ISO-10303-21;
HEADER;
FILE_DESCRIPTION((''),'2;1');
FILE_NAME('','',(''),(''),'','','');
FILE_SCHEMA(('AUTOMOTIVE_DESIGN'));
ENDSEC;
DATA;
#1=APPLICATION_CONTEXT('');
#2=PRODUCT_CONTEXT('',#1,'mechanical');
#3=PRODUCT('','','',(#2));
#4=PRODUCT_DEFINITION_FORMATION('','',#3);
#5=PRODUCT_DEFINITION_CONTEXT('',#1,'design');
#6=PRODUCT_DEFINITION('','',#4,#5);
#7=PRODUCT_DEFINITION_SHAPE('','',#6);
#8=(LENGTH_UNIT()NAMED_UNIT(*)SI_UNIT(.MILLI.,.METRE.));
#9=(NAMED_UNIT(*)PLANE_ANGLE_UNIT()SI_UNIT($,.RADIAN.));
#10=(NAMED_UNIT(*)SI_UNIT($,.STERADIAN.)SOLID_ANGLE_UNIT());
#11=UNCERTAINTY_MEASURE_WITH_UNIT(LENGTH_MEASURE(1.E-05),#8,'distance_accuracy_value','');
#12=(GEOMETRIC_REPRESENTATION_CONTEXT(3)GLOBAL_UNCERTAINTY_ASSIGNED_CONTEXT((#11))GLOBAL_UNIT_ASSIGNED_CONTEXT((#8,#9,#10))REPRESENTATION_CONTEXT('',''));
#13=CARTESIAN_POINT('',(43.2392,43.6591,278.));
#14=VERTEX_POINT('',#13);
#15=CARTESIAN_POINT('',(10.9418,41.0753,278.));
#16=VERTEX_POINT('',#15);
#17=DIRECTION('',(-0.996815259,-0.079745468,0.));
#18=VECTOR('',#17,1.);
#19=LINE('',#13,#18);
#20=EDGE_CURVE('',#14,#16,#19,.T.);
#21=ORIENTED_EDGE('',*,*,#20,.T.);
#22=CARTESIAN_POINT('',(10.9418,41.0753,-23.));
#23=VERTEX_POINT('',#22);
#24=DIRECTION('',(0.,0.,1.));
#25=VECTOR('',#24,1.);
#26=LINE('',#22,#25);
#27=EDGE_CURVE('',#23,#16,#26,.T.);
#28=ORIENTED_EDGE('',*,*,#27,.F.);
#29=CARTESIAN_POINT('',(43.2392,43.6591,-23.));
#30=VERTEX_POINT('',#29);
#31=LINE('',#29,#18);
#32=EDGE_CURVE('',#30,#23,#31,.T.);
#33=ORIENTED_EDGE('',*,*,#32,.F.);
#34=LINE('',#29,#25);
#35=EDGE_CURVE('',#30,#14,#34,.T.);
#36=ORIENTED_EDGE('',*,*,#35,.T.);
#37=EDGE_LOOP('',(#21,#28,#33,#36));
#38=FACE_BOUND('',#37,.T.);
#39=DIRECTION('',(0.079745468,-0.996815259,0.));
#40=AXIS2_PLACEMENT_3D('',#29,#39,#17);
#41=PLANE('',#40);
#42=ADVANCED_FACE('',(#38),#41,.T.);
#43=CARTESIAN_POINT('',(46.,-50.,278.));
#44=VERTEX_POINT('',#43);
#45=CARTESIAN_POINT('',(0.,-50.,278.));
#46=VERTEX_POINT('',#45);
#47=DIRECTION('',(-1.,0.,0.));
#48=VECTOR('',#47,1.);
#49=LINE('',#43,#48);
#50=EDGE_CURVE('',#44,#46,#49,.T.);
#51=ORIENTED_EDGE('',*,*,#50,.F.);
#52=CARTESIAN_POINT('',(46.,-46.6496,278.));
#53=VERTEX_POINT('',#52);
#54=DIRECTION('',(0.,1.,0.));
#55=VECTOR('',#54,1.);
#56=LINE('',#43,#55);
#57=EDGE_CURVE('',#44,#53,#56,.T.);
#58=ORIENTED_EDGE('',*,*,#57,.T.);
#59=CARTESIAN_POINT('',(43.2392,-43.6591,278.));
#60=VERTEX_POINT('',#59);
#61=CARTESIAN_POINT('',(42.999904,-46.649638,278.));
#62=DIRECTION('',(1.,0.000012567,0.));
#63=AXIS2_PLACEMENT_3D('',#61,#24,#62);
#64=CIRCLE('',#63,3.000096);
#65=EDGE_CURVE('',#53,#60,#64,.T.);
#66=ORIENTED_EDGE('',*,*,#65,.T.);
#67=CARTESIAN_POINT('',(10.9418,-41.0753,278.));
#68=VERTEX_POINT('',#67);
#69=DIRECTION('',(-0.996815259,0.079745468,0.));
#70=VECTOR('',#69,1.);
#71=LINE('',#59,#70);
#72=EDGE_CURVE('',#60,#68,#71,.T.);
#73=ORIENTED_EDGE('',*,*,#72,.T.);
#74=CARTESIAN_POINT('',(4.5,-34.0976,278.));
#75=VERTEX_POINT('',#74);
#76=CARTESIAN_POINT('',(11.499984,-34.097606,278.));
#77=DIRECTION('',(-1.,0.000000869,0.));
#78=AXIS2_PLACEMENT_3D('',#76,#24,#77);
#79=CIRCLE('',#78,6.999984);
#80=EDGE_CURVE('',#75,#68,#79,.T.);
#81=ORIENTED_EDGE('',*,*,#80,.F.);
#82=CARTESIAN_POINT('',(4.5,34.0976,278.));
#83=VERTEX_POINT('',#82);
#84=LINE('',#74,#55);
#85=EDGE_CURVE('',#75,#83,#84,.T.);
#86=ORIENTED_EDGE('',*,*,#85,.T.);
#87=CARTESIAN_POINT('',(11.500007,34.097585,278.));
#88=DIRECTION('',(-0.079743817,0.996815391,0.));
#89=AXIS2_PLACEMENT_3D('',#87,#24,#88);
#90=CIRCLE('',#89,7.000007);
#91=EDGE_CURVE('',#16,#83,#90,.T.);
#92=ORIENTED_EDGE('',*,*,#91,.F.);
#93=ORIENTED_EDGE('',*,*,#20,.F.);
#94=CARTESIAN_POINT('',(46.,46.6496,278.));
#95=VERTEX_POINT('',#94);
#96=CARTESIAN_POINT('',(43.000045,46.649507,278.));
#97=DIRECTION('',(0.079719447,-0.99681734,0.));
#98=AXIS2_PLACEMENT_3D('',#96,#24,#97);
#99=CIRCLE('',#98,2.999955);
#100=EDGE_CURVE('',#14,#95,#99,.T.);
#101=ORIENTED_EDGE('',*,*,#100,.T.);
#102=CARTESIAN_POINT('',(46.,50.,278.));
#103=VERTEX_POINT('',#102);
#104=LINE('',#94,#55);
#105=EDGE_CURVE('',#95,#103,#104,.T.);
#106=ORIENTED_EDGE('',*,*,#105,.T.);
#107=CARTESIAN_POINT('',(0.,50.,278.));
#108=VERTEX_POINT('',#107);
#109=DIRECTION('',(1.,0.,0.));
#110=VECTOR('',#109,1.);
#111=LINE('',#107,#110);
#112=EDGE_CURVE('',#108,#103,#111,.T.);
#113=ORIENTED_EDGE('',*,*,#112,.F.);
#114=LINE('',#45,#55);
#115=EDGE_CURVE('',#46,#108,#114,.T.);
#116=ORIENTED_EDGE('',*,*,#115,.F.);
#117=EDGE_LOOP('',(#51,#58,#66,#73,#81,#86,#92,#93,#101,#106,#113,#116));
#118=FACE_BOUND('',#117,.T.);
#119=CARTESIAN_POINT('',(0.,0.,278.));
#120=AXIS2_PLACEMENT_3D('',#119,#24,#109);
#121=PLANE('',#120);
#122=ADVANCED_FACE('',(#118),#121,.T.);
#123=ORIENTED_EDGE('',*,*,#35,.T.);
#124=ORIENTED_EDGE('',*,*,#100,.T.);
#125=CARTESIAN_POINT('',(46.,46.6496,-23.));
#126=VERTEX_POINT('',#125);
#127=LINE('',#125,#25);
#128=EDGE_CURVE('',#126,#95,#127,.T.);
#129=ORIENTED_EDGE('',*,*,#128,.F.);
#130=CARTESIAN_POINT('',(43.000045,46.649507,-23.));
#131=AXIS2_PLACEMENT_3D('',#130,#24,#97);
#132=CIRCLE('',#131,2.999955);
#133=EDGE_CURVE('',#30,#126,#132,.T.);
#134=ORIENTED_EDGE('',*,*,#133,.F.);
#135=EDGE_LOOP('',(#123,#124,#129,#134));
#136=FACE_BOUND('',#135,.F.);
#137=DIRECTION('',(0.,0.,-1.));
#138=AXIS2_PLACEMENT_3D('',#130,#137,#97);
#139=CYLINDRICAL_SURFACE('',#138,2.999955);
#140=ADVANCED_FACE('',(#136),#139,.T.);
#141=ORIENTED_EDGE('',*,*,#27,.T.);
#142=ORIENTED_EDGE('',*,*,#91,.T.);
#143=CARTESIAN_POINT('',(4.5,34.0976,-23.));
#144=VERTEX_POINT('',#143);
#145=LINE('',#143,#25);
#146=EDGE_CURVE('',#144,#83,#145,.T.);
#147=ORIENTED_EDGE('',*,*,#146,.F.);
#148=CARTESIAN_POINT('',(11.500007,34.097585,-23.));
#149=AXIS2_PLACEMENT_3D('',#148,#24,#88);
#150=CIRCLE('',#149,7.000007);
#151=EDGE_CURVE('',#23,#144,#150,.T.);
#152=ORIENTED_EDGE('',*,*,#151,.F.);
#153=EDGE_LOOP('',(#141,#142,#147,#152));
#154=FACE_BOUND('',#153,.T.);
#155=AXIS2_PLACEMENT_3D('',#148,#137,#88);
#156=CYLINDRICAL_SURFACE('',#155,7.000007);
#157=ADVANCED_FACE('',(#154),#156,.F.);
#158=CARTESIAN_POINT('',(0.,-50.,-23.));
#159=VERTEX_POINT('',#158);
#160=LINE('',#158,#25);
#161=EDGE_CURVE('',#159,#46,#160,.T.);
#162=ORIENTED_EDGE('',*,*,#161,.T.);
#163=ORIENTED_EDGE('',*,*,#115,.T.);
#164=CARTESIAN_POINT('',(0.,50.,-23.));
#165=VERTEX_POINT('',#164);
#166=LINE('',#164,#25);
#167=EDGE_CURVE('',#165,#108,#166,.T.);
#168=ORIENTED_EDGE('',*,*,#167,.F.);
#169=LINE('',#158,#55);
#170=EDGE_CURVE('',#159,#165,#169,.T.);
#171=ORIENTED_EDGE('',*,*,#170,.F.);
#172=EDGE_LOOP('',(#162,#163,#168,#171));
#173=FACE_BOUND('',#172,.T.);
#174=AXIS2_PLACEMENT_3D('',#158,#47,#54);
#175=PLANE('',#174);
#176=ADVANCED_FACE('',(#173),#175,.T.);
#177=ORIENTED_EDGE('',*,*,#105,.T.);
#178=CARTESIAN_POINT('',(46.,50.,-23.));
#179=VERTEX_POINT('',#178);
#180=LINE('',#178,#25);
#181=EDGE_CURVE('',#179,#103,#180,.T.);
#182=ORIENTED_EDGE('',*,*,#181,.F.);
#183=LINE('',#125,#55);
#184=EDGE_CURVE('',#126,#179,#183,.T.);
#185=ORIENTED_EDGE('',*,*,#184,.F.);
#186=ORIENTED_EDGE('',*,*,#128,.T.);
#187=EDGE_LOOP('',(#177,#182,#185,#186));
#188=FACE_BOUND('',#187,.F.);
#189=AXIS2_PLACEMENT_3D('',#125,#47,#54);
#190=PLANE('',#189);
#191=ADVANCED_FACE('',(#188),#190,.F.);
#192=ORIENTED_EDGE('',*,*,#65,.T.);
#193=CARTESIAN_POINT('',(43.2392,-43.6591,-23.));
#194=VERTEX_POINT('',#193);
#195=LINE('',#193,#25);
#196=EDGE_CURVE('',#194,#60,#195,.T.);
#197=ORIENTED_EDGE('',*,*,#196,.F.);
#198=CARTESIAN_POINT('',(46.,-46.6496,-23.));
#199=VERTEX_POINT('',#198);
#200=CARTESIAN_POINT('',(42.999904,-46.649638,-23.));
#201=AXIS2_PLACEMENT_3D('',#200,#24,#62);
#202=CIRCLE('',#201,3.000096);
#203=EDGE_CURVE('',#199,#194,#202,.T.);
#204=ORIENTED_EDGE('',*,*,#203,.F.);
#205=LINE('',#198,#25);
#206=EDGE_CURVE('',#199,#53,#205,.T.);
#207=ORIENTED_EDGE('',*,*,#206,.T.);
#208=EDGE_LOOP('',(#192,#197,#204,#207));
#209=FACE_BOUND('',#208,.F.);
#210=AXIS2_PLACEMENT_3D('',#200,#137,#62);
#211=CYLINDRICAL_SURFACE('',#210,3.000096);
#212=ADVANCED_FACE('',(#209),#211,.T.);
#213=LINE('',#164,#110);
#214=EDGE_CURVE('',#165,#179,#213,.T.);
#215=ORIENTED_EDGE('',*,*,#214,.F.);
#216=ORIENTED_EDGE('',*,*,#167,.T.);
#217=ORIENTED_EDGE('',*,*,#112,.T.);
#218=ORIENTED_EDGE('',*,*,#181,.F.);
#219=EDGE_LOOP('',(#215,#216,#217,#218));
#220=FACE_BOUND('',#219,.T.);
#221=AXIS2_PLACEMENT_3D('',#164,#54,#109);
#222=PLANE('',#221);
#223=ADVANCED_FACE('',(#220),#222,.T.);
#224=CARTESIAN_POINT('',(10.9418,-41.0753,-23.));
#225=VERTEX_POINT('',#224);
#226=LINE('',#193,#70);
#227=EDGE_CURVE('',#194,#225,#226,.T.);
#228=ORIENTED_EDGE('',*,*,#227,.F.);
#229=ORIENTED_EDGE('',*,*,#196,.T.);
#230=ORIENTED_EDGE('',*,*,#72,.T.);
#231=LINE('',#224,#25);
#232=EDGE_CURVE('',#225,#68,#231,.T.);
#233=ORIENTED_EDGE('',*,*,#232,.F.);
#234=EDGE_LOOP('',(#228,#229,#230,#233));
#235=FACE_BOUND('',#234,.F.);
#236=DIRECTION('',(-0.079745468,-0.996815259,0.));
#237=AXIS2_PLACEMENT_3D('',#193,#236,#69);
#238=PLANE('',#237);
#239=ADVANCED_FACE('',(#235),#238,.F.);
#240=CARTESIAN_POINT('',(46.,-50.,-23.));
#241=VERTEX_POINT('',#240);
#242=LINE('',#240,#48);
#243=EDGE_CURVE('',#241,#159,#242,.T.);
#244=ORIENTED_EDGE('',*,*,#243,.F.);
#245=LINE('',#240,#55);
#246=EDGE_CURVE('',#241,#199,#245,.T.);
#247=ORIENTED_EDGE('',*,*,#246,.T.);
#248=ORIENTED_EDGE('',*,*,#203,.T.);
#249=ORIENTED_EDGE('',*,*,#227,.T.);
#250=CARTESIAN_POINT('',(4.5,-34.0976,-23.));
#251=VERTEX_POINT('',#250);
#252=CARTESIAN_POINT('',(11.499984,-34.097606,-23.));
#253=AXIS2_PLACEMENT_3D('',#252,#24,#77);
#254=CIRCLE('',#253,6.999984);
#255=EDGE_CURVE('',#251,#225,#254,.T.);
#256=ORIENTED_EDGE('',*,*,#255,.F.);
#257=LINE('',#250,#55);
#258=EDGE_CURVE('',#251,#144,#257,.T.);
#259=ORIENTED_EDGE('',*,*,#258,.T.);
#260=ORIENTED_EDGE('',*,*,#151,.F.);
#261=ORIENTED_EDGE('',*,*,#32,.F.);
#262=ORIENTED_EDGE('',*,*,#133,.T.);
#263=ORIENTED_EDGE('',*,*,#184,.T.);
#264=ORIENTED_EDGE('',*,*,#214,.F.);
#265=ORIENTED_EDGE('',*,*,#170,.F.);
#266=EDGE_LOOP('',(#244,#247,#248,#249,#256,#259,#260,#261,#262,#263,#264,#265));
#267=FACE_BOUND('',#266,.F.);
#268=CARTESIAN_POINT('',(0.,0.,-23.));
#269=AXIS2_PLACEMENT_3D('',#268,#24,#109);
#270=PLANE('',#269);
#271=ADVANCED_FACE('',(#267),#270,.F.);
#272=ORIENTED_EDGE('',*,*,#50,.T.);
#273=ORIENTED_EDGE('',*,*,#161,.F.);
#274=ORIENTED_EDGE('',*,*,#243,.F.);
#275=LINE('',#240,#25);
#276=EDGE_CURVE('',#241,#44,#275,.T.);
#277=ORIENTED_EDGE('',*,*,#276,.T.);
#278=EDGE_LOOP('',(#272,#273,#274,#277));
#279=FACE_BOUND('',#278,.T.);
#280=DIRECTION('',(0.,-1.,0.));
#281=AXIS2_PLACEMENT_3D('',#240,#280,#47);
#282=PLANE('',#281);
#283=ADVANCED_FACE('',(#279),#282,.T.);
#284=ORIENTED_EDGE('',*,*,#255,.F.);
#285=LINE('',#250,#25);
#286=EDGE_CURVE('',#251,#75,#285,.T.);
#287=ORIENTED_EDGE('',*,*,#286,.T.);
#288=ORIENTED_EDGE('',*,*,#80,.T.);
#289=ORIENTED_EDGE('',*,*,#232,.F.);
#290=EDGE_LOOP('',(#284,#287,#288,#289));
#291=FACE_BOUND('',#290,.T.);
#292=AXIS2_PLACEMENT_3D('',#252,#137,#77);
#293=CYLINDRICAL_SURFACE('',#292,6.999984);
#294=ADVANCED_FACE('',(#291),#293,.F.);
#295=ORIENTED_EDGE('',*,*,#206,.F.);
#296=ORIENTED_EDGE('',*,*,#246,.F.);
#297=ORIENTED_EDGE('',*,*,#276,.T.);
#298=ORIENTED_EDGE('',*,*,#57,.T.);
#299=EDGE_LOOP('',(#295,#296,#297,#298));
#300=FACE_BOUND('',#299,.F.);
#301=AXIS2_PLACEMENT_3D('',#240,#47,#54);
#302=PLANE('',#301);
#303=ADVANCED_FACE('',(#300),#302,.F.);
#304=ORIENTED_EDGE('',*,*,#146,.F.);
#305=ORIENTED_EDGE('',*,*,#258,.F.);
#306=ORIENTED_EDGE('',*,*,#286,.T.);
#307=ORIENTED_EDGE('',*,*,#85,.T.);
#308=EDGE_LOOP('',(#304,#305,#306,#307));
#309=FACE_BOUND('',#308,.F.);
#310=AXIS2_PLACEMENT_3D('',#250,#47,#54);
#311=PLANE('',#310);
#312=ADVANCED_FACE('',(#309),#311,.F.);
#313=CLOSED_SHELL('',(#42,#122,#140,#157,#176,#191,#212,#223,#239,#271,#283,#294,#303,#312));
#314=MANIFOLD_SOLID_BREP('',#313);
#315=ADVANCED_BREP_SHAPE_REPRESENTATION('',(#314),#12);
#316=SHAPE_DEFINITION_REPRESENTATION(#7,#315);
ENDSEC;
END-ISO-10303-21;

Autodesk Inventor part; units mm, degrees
ref_plane "Начальная плоскость" through (0, 0, -23) normal (0, 0, 1) x (1, 0, 0)
ref_plane "Конечная плоскость" through (0, 0, 278) normal (0, 0, 1) x (1, 0, 0)
sketch "Эскиз" plane through (0, 0, 0) normal (0, 0, 1) x (1, 0, 0)
  line L0 (46, -50) -> (0, -50)
  line L1 (46, -50) -> (46, -46.6496)
  line L2 (43.2392, -43.6591) -> (10.9418, -41.0753)
  line L3 (4.5, -34.0976) -> (4.5, 34.0976)
  line L4 (43.2392, 43.6591) -> (10.9418, 41.0753)
  line L5 (46, 46.6496) -> (46, 50)
  line L6 (0, 50) -> (46, 50)
  line L7 (0, -50) -> (0, 50)
  arc A0 (4.5, -34.0976) -> (10.9418, -41.0753) centre (11.5, -34.0976) ccw
  arc A1 (10.9418, 41.0753) -> (4.5, 34.0976) centre (11.5, 34.0976) ccw
  arc A2 (46, -46.6496) -> (43.2392, -43.6591) centre (43, -46.6496) ccw
  arc A3 (43.2392, 43.6591) -> (46, 46.6496) centre (43, 46.6496) ccw
  line L8 (0, 70) -> (0, -70) construction
  line L9 (-9.3169, 0) -> (55.9016, 0) construction
  point P0 (46, -43.88)
  point P1 (4.5, -40.56)
  point P2 (4.5, 40.56)
  point P3 (46, 43.88)
  dimension "d3" = 46
  dimension "d5" = 4.5
  dimension "d7" = 100
  dimension "d9" = 9.44
  dimension "d11" = 9.44
  dimension "d13" = 6.12
  dimension "d15" = 6.12
  dimension "d22" = 7
  dimension "d23" = 3
  dimension "d24" = 50
  dimension "d25" = 0
extrude "Тело" add sketch "Эскиз" along normal up to surface (301 mm away) from surface at -23
sketch "Sketch3" plane through (0, 0, 0) normal (0, 0, 1) x (1, 0, 0)
  line L0 (0, 0) -> (10, 0)
ref_plane "Work Plane7" through (0, 0, 0) normal (0, -1, 0) x (1, 0, 0)
sketch "Sketch4" plane through (0, 0, 0) normal (0, -1, 0) x (1, 0, 0)
  line L0 (-2, -23) -> (12, -23)
  line L1 (-2, 278) -> (12, 278)
  dimension "d29" = 301
ref_plane "РабПлоскость8" through (23, -46.6496, 278) normal (0, 0, 1) x (1, 0, 0)
split "Разделение1" plane through (23, -46.6496, 278) removes the side toward (0, 0, 1)
ref_plane "РабПлоскость9" through (-427, -46.6496, -23) normal (0, 0, -1) x (-1, 0, 0)
split "Разделение2" plane through (-427, -46.6496, -23) removes the side toward (0, 0, -1)
equation "\"d3\" = b"
equation "\"d5\" = t1"
equation "\"d7\" = ParH"
equation "\"d9\" = msp_x1 + t2"
equation "\"d11\" = msp_x1 + t2"
equation "\"d13\" = -msp_x2 + t2"
equation "\"d15\" = -msp_x2 + t2"
equation "\"d22\" = R"
equation "\"d23\" = R1"
equation "\"d24\" = 0.5 * d7"
equation "\"d16\" = G_L"
equation "\"R1\" = 3"
equation "\"R\" = 7"
equation "\"t1\" = 4.5"
equation "\"t2\" = 7.6"
equation "\"ParH\" = 100"
equation "\"b\" = 46"
equation "\"msp_x1\" = 0.04 * b"
equation "\"msp_x2\" = -0.08 * t1 + 0.04 * b"
equation "\"G_L\" = d29"
equation "\"ex\" = 0"
equation "\"G_OFFSET_START\" = 23"
equation "\"G_OFFSET_END\" = 23"
equation "\"d26\" = -G_OFFSET_START"
equation "\"d27\" = G_OFFSET_END + B_L"
equation "\"B_L\" = 255"
properties part number "Швеллер 10U-301 ГОСТ 8240-97" material "Сталь, мягкая, сварочная"
